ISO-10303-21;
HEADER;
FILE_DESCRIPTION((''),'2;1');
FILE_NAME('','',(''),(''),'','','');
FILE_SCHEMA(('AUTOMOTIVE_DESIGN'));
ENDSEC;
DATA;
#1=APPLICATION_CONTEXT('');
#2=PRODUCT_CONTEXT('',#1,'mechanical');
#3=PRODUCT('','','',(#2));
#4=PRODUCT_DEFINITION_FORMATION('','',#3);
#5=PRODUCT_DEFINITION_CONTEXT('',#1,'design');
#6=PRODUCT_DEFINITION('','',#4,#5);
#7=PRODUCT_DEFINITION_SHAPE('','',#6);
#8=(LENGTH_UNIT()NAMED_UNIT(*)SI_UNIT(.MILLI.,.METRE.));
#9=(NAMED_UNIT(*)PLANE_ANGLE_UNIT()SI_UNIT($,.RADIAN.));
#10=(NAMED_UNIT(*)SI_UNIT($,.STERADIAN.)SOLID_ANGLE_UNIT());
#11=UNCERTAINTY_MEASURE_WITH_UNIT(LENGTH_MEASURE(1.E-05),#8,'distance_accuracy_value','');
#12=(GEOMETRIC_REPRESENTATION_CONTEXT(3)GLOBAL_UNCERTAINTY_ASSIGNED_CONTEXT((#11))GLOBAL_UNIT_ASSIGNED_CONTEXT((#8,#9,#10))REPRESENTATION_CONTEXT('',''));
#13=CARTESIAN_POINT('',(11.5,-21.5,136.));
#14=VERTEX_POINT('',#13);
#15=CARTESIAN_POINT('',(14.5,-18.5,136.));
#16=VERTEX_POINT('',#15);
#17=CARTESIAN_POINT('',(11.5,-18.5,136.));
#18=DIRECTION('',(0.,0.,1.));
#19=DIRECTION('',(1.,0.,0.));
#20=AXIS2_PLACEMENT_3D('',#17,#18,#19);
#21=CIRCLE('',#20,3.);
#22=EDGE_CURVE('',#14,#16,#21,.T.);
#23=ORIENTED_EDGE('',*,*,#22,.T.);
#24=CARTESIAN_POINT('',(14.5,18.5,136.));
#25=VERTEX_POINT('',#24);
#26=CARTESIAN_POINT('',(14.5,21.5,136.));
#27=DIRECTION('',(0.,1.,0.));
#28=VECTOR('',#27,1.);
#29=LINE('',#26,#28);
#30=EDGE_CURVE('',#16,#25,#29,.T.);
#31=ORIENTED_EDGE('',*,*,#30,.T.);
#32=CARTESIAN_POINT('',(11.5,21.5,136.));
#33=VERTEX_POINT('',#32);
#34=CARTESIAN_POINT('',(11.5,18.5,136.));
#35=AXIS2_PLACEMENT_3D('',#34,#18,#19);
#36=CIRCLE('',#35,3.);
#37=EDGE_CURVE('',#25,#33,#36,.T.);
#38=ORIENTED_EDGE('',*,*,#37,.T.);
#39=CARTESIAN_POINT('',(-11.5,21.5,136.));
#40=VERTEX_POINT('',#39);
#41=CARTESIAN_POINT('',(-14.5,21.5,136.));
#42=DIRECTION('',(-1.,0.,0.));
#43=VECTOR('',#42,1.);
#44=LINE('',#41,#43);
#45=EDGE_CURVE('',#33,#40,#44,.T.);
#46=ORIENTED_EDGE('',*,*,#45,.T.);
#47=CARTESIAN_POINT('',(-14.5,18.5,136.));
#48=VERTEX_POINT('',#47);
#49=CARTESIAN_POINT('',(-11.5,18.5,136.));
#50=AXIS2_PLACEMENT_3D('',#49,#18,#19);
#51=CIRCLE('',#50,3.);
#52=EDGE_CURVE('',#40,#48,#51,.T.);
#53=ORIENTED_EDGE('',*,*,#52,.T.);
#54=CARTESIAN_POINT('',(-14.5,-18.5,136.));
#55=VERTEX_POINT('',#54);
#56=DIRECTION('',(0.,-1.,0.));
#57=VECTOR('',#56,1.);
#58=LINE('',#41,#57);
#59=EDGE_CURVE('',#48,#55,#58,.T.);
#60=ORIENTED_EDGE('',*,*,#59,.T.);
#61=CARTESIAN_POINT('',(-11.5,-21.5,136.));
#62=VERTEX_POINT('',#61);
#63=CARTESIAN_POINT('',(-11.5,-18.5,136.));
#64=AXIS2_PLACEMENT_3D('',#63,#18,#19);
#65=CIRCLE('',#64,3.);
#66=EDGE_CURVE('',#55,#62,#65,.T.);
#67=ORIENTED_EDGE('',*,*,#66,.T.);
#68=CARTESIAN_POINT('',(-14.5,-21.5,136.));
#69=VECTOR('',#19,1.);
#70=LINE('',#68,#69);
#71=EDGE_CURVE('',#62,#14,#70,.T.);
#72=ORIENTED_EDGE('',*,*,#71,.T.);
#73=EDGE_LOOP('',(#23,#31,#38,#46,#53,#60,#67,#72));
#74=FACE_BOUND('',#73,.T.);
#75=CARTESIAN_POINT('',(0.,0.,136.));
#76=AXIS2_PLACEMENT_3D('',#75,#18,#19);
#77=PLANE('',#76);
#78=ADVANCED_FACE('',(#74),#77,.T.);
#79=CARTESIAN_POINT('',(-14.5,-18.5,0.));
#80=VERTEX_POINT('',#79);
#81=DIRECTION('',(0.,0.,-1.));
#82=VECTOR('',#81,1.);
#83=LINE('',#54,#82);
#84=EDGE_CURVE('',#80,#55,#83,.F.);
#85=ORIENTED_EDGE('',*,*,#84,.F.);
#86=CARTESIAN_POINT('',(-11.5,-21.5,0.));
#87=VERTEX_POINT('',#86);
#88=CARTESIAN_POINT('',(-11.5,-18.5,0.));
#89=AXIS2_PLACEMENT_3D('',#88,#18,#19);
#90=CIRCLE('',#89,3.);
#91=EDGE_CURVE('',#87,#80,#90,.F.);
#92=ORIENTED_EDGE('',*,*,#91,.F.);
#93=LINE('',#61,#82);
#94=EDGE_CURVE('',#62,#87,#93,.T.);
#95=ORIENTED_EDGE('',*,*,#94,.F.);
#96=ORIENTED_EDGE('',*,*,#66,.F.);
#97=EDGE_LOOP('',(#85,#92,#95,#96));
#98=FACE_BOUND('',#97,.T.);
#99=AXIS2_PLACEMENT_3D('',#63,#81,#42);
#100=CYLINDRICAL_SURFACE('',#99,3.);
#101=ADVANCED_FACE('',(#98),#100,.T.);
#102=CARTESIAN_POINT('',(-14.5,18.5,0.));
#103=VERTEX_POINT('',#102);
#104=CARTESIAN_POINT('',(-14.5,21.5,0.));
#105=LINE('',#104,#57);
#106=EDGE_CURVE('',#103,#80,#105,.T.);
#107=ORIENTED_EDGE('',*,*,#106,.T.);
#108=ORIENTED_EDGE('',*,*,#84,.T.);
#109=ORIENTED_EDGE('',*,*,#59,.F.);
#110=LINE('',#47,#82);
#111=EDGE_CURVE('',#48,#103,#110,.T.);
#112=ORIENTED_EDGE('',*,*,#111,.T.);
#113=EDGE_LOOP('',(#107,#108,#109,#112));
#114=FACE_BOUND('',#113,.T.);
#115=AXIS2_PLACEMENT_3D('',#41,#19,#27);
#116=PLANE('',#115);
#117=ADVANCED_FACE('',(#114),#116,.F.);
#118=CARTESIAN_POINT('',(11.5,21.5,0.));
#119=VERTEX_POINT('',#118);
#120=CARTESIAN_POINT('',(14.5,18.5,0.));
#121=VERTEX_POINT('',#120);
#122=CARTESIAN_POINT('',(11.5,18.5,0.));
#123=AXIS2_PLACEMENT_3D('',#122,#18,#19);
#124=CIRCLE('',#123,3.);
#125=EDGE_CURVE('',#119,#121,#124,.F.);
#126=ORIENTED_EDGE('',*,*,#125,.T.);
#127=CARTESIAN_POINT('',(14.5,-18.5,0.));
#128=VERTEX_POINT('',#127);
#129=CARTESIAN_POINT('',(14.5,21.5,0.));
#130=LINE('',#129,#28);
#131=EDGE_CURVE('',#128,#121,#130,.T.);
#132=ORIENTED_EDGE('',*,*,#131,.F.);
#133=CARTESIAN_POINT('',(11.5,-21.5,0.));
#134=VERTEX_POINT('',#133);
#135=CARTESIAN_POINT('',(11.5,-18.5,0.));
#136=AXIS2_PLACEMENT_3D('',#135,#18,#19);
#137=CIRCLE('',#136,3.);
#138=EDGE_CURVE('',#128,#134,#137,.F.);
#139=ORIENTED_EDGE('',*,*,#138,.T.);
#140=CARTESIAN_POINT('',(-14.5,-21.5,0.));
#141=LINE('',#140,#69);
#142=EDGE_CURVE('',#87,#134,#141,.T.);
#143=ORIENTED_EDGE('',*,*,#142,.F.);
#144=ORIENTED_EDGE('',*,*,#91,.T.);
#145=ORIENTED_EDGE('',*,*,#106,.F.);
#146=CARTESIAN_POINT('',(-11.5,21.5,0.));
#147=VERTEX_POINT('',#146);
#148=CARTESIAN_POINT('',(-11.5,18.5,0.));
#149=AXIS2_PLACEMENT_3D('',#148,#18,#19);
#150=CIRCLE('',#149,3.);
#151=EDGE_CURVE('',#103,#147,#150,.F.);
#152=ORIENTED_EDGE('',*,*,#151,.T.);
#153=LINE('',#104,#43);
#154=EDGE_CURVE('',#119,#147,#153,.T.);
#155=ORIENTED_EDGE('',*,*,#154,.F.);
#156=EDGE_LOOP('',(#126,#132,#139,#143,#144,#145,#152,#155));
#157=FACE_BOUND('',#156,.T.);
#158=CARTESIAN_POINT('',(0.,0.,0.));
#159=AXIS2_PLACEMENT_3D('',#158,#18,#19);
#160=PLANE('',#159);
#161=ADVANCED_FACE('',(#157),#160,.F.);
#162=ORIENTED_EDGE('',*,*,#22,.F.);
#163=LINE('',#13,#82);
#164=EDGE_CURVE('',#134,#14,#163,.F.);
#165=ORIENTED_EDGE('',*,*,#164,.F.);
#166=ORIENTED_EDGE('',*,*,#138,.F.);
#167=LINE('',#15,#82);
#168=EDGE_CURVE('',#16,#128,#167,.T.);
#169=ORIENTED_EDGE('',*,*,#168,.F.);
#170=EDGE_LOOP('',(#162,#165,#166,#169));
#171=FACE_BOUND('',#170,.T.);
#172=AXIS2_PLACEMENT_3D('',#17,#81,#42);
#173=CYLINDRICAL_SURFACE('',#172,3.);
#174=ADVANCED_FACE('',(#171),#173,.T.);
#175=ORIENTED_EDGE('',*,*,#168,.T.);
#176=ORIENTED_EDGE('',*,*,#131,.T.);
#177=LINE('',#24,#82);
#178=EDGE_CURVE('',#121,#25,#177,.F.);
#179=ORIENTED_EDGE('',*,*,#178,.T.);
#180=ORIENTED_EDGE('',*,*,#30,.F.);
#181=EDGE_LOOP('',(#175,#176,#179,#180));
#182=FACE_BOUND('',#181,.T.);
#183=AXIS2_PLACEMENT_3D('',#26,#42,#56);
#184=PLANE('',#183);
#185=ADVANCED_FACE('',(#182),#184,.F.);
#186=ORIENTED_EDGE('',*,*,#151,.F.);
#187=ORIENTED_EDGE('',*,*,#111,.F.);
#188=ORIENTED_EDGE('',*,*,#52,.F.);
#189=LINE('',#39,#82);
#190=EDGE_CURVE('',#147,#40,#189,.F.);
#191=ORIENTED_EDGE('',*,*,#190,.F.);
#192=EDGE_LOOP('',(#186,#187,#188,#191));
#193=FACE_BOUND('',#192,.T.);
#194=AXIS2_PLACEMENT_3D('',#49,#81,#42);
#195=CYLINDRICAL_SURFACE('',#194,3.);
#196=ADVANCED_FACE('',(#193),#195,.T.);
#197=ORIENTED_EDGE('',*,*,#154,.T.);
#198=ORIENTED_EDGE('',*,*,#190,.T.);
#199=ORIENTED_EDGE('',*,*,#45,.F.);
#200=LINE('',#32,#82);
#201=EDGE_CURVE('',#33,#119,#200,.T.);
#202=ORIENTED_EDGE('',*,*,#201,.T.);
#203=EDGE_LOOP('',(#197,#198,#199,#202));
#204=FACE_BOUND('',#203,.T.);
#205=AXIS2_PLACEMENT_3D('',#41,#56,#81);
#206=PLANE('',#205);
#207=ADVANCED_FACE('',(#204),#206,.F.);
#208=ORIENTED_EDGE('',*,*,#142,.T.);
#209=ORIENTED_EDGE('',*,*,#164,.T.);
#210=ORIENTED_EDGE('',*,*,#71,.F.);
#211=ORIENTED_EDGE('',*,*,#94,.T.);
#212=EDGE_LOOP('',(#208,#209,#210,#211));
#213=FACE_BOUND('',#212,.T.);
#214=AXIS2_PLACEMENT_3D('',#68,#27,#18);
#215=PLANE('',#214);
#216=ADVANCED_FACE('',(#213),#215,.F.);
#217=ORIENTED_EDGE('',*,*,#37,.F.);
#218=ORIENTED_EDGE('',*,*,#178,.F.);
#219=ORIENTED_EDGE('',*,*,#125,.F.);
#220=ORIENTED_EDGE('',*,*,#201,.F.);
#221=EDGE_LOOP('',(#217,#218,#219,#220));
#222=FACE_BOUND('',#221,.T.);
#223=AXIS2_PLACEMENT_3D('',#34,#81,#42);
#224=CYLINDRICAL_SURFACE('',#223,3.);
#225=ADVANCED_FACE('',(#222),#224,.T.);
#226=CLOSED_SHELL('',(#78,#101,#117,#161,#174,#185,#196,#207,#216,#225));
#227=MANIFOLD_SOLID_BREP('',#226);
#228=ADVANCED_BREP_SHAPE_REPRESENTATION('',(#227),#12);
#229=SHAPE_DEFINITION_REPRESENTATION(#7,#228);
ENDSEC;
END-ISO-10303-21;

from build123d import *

# Parameters (mm, degrees)
SKETCH_1_W      = 29
SKETCH_1_H      = 43
EXTRUDE_1_DEPTH = 136
FILLET_1_R      = 3


with BuildPart() as part:
    # 草图1 → 凸台-拉伸1 (new body)
    with BuildSketch(Plane.XY):
        Rectangle(SKETCH_1_W, SKETCH_1_H)
    extrude(amount=EXTRUDE_1_DEPTH)

    # 圆角1
    fillet_1_edges = [part.edges().sort_by_distance(p)[0] for p in [
        (14.5, -21.5, 68),
        (-14.5, -21.5, 68),
        (-14.5, 21.5, 68),
        (14.5, 21.5, 68),
    ]]
    fillet(fillet_1_edges, radius=FILLET_1_R)


solid = part.part
